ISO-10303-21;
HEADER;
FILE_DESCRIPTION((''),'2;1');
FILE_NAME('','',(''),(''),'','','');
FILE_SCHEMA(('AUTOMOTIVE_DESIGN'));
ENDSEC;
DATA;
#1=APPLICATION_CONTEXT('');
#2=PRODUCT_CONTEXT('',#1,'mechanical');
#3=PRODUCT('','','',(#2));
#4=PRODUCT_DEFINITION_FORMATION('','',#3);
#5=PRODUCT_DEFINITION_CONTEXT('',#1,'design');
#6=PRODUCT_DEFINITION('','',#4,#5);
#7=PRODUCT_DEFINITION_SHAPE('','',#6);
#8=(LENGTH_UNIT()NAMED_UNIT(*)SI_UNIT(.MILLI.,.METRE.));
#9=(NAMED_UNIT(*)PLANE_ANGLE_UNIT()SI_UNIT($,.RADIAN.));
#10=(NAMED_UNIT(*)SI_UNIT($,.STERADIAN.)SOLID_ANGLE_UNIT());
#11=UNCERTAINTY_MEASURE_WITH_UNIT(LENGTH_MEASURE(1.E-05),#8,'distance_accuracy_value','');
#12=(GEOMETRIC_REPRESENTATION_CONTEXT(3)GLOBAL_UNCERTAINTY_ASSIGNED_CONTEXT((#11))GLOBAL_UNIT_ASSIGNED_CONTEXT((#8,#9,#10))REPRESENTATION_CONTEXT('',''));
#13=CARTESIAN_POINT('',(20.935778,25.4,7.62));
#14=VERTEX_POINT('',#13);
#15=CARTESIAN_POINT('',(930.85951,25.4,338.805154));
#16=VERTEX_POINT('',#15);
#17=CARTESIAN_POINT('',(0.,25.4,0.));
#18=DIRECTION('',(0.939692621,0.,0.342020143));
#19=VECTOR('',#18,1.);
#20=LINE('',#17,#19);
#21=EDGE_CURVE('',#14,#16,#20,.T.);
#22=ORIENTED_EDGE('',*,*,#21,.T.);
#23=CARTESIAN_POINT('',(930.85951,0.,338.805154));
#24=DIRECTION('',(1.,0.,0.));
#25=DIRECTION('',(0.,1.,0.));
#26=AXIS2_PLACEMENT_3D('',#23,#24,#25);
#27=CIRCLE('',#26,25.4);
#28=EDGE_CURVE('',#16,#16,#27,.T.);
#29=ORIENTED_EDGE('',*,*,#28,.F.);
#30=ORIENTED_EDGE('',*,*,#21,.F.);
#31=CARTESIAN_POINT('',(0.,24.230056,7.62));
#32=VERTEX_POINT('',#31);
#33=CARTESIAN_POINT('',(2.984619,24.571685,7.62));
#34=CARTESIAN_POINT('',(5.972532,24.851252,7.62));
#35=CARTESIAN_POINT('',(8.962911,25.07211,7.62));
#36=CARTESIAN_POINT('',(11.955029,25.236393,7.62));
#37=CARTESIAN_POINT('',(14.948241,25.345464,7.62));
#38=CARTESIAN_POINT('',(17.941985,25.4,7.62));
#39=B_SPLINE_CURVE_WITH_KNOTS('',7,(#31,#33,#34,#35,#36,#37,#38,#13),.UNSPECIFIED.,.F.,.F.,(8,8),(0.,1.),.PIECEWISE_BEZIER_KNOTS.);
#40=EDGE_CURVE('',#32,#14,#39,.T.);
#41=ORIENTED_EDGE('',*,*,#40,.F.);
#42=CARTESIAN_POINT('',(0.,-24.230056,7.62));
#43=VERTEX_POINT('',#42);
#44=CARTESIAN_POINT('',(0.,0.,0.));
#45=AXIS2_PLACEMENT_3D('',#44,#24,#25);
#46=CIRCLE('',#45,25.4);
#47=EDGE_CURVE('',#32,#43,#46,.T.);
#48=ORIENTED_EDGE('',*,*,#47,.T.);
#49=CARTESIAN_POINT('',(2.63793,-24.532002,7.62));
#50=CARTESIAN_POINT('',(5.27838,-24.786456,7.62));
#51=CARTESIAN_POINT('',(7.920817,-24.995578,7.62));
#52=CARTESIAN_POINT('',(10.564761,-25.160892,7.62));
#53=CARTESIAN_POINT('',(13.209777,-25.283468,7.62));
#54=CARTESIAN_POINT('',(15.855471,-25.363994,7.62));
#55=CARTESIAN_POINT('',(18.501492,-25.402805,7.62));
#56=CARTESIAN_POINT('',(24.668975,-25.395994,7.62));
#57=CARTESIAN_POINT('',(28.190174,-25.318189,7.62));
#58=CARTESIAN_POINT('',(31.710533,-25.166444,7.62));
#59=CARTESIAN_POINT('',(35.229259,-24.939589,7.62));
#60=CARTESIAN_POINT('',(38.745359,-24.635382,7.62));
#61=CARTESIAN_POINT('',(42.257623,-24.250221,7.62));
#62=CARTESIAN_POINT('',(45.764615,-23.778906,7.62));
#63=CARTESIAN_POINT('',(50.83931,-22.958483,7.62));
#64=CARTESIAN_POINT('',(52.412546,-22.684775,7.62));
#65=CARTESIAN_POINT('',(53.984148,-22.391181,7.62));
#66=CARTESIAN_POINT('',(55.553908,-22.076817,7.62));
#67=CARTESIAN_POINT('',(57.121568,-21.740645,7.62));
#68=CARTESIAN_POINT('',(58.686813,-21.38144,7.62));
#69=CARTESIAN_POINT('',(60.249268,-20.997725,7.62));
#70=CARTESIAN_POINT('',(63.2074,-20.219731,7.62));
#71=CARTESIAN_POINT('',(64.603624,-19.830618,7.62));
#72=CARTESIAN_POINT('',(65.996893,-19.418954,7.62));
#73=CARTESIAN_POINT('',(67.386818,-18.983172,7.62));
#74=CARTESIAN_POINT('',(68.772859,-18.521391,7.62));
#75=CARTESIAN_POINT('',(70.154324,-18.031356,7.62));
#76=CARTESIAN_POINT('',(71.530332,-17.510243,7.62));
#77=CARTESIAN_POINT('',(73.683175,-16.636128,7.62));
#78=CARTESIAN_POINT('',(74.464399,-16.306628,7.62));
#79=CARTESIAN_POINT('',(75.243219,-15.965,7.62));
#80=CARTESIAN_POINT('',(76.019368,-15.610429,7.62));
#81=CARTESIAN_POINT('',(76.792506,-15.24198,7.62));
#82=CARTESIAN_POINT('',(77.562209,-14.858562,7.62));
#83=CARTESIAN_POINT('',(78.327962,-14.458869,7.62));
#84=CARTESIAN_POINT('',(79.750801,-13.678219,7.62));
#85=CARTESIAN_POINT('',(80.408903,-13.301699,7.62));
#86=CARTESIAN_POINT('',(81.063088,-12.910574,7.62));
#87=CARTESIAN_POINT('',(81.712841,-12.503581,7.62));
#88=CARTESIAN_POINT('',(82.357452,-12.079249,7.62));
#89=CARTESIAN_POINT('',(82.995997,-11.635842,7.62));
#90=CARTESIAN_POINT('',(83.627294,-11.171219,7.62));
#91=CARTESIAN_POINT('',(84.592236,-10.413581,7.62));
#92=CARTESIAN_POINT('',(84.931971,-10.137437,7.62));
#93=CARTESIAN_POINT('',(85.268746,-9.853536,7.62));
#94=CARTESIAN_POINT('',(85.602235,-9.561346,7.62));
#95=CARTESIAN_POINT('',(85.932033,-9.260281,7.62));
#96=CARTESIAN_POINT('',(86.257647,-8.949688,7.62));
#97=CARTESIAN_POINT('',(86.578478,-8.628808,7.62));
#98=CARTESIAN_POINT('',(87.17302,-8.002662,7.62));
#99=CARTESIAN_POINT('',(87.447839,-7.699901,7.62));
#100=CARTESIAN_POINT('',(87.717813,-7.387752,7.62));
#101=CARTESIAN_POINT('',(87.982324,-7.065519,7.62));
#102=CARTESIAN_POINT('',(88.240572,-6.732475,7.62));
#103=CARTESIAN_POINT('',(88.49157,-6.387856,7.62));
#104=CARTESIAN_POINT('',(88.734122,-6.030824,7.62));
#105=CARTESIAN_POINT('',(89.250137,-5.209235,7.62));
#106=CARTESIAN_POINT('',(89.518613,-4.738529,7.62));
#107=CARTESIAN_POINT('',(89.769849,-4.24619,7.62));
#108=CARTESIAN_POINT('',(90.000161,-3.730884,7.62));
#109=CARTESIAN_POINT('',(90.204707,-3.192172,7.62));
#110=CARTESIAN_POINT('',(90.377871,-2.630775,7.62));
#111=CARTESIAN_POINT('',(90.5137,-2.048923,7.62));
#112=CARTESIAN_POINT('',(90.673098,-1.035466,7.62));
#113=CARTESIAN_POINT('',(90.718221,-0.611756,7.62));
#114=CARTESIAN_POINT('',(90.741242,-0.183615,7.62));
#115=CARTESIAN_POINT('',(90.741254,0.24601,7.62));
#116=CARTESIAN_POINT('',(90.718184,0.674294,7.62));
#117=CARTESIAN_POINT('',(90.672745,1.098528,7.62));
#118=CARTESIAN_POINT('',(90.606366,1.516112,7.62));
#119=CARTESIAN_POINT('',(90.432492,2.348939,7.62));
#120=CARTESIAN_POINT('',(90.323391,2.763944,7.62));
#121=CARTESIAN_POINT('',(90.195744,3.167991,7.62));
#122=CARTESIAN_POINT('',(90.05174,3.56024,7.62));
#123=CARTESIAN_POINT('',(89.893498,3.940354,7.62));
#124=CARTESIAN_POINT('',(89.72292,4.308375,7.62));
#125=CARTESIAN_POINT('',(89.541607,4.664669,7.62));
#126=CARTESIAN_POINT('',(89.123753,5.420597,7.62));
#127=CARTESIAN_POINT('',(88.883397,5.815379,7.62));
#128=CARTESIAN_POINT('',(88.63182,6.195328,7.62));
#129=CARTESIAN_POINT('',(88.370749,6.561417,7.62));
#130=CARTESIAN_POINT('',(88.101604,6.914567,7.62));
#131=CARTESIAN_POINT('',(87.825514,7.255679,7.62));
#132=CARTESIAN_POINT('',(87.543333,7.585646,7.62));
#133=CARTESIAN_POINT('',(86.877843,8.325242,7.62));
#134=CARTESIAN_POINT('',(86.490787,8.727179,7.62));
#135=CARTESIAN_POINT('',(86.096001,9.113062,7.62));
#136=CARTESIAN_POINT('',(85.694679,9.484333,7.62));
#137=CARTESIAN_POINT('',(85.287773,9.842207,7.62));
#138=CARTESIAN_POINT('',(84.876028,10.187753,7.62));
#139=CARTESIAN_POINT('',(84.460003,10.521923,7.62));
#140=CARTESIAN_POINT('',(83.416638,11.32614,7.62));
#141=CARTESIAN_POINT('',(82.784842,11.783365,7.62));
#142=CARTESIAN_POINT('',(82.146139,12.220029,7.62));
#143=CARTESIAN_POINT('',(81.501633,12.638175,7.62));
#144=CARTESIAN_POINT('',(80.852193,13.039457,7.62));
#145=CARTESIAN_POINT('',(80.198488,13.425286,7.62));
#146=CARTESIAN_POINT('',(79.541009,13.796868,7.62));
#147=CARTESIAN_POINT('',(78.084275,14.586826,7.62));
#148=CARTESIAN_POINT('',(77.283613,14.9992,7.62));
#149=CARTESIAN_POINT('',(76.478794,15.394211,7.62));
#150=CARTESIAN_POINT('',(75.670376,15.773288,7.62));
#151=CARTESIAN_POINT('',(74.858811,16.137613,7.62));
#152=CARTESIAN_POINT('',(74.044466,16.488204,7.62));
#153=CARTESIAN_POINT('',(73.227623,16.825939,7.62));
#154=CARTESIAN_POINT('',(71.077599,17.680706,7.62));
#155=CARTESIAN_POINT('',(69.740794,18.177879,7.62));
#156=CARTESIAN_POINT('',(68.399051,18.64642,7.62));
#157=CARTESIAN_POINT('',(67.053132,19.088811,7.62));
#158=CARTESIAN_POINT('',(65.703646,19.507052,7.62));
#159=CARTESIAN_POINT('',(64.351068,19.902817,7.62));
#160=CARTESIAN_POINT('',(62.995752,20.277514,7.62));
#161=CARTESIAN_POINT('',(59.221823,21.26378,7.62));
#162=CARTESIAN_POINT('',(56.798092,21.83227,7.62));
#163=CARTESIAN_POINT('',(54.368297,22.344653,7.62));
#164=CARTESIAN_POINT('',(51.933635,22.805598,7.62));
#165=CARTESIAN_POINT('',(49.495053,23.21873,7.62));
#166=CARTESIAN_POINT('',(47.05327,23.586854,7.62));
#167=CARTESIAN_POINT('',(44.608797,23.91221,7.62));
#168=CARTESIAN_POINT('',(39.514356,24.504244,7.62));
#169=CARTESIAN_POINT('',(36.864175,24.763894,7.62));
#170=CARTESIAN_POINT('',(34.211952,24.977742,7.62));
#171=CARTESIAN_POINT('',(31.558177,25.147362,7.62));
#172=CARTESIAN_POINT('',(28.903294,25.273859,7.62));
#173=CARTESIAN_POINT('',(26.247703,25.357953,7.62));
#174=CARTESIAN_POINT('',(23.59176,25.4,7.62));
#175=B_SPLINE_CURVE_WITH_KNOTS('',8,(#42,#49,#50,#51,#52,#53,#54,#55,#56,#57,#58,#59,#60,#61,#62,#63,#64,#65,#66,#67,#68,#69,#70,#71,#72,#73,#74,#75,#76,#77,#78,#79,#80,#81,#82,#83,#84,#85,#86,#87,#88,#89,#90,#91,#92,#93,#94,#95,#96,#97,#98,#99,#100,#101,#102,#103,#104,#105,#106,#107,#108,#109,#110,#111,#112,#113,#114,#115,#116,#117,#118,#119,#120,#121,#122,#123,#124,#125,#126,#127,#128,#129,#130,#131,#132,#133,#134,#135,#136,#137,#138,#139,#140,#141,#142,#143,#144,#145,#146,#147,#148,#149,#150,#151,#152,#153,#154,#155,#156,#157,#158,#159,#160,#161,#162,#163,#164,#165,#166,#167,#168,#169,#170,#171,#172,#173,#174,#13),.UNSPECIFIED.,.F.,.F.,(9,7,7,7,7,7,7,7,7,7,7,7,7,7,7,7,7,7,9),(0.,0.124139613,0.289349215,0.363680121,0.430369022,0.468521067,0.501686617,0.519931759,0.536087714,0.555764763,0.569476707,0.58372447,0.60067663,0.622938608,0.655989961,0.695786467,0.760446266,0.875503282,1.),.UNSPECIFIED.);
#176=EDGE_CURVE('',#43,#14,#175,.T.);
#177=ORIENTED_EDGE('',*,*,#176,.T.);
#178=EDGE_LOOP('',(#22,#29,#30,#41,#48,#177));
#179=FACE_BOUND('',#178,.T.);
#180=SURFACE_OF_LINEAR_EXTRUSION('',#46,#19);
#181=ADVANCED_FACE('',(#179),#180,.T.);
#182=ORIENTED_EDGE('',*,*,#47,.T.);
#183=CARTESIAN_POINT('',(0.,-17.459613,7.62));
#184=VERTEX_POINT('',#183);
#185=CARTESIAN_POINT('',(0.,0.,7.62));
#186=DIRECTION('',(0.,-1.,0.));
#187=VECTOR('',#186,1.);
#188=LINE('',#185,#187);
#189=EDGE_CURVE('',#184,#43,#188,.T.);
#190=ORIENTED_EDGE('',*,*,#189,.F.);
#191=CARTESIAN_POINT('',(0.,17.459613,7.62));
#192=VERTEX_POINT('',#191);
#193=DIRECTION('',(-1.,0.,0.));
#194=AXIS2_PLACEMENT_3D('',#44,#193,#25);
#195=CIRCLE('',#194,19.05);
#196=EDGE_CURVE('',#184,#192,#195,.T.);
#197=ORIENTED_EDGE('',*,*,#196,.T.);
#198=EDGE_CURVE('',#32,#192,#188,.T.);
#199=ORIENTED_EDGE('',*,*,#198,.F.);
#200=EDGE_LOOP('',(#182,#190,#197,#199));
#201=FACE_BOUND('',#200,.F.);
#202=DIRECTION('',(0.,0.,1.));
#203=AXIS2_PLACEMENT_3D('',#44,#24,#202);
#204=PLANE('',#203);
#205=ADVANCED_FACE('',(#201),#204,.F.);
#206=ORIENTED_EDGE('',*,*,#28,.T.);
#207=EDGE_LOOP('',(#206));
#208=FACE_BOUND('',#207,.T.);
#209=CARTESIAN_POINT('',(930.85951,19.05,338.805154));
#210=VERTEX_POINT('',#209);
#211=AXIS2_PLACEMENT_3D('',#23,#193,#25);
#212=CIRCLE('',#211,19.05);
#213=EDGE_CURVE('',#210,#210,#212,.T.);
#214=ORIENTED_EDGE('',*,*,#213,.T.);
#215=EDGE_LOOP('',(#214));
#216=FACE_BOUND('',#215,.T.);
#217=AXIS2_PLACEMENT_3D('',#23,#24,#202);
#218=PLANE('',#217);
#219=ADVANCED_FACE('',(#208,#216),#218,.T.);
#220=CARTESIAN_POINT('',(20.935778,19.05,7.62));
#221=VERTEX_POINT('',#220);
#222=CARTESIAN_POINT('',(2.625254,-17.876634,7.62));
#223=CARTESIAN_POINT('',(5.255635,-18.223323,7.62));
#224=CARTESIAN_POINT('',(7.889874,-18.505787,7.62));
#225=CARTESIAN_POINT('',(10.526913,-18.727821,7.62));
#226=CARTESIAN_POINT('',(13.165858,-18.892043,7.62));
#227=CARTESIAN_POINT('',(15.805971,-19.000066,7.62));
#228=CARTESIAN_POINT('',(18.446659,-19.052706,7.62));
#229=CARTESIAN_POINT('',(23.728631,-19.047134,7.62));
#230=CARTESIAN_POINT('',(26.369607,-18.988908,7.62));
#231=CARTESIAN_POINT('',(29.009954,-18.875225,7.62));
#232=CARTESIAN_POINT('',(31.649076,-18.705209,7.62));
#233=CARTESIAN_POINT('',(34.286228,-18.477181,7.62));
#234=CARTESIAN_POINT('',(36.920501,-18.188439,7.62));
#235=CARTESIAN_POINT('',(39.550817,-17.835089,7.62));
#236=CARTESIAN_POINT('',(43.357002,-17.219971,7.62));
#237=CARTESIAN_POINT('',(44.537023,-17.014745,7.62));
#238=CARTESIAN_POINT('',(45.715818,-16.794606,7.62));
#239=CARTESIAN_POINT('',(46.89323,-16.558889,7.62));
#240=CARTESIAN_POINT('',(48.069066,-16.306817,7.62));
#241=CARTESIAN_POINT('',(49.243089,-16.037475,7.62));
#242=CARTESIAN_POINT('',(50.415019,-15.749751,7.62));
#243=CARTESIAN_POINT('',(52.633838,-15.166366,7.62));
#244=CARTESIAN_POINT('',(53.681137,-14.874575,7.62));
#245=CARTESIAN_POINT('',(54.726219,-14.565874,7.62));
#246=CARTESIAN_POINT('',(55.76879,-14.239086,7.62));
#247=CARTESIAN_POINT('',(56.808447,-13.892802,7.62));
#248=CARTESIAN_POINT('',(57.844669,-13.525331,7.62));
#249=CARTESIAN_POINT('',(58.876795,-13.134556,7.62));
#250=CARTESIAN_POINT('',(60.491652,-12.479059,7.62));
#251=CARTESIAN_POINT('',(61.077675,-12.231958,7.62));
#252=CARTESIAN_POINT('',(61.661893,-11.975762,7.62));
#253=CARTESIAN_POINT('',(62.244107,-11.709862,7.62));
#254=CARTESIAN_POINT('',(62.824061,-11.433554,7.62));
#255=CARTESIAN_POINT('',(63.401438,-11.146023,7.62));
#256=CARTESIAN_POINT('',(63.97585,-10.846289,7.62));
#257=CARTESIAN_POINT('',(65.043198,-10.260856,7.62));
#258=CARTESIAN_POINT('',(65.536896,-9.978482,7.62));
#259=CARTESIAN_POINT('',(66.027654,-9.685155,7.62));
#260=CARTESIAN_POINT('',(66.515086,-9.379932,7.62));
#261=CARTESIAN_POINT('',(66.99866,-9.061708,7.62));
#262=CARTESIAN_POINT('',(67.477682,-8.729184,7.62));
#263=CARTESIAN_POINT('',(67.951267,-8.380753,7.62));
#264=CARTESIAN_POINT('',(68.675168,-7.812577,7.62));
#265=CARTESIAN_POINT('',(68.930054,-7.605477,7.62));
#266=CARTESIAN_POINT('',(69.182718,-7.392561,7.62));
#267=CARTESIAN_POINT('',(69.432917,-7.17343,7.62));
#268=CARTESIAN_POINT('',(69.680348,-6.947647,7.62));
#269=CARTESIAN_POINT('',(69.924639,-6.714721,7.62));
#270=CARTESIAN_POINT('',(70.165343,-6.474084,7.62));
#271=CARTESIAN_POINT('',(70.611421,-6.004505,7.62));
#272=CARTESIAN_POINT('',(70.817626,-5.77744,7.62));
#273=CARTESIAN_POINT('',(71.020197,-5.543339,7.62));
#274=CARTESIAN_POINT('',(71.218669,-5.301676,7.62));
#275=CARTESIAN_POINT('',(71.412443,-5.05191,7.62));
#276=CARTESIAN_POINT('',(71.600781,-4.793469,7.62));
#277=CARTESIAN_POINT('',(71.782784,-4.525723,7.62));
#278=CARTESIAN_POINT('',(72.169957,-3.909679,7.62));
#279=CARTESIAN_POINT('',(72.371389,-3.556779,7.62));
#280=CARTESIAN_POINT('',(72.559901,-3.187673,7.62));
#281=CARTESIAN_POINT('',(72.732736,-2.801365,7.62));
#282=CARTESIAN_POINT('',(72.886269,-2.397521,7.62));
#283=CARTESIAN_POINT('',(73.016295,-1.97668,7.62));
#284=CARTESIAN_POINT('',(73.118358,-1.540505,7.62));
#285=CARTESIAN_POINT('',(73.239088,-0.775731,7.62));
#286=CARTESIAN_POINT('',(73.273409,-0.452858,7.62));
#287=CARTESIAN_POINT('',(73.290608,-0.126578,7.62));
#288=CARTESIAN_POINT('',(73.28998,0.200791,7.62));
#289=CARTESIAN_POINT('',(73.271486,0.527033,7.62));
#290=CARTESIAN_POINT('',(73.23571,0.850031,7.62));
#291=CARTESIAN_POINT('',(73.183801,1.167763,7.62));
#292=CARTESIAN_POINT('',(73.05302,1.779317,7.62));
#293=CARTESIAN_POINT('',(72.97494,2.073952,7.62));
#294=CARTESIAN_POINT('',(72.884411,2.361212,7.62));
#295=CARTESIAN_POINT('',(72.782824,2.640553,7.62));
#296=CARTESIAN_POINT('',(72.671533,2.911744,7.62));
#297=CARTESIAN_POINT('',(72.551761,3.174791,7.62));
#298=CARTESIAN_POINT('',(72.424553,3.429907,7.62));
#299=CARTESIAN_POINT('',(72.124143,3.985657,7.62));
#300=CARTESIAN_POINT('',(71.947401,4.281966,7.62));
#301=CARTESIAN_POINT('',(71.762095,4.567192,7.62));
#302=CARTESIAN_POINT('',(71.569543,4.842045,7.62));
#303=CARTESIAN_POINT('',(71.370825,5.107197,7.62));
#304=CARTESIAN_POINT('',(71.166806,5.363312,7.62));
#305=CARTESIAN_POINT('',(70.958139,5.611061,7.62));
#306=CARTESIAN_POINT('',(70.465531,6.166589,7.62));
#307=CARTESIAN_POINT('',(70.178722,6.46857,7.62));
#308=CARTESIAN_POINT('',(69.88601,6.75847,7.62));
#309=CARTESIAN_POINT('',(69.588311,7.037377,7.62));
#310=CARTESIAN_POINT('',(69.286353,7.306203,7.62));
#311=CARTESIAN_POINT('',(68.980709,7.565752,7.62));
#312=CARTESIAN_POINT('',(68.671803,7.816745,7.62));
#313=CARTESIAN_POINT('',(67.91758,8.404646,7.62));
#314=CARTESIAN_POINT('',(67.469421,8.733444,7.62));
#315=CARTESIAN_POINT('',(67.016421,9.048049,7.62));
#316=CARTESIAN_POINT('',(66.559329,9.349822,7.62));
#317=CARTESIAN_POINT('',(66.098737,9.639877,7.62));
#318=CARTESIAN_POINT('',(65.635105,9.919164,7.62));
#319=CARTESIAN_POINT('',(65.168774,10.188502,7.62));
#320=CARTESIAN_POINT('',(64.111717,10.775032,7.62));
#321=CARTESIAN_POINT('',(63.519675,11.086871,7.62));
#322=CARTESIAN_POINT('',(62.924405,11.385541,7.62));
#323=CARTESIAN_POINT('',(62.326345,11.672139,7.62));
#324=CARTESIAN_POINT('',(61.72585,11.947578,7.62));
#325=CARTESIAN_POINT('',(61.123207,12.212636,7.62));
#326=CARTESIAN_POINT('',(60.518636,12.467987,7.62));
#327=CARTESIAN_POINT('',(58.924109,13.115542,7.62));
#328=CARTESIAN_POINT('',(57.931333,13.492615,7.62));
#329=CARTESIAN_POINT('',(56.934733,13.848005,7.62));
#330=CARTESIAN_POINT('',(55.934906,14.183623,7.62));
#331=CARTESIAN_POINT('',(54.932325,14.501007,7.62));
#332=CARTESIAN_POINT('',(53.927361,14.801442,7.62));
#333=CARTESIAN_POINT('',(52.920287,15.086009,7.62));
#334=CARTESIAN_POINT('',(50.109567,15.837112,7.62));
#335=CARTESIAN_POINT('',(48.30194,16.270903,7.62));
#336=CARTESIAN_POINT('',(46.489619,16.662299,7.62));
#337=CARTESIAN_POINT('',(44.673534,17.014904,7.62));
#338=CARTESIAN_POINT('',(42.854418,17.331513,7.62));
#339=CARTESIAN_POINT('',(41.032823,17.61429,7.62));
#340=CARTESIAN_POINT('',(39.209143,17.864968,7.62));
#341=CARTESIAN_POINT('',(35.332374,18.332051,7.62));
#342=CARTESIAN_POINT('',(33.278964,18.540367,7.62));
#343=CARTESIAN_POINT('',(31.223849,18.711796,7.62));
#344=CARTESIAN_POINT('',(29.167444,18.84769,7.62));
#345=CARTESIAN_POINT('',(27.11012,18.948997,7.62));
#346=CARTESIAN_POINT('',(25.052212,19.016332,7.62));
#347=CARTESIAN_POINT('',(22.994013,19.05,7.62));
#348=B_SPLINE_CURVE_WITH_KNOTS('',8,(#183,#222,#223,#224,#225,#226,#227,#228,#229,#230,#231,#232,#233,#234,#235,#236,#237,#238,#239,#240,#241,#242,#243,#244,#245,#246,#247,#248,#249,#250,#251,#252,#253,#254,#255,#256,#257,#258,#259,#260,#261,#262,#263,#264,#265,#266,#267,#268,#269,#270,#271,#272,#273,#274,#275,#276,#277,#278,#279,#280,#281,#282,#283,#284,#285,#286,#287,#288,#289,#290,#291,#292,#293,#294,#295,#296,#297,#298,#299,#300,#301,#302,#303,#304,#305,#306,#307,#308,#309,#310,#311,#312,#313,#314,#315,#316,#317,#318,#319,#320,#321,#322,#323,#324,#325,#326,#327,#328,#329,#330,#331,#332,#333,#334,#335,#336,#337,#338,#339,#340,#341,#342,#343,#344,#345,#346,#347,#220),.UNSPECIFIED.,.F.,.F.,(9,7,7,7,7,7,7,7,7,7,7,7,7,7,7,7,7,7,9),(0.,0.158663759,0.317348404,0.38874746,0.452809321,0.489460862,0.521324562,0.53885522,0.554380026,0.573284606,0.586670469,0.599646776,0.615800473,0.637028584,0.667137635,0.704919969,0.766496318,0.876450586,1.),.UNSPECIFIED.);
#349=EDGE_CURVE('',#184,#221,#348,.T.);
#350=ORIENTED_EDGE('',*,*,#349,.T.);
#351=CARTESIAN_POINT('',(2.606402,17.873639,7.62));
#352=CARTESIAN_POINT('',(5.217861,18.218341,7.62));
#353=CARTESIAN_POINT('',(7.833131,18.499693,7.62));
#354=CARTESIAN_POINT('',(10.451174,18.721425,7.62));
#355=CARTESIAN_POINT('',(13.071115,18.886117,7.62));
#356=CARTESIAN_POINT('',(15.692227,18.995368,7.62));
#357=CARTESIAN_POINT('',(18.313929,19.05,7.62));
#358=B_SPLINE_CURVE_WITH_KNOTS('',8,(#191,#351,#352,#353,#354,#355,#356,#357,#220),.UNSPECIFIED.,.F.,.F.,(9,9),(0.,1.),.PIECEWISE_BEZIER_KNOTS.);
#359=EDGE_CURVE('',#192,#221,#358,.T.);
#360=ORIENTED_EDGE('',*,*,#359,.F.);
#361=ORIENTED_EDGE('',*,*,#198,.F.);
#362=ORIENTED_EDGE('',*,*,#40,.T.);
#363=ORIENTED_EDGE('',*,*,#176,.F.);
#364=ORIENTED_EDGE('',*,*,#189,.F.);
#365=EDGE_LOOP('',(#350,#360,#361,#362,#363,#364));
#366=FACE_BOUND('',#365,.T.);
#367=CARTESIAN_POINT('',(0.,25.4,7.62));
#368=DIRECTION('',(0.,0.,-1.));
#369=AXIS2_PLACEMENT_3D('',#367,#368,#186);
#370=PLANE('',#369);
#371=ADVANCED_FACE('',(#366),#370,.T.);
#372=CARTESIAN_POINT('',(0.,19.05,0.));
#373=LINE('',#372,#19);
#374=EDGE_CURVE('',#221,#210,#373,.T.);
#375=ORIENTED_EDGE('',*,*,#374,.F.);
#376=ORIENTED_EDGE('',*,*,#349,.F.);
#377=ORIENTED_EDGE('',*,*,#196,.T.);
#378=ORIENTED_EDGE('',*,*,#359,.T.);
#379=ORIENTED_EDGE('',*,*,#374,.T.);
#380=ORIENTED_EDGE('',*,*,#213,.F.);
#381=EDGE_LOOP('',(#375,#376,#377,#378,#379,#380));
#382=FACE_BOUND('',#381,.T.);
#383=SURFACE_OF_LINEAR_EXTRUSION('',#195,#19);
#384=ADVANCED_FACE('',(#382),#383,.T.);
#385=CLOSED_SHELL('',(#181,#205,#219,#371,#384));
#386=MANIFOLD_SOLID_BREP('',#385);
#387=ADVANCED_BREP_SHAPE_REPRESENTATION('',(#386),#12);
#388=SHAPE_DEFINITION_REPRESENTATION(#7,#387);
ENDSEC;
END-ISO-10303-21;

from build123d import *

# Parameters (mm, degrees)
F1_R     = 25.4
F1_R_2   = 19.05
F3_W     = 50.8
F3_H     = 33.02
F4_DEPTH = 930.86051


with BuildPart() as f2:
    # F2: sweep along a path in F0
    with BuildLine(Plane.XZ) as f2_path:
        Line((0, 0), (930.85951, 338.805154))
    # F1 (on Right) → F2 (sweep)
    with BuildSketch(Plane.YZ):
        Circle(F1_R)
        Circle(F1_R_2, mode=Mode.SUBTRACT)
    sweep(path=f2_path.line)

    # F3 (on face) → F4 (cut, through all)
    with BuildSketch(Plane(origin=(0, 0, 0), x_dir=(0, -1, 0), z_dir=(-1, 0, 0))):
        with Locations((0, -8.89)):
            Rectangle(F3_W, F3_H)
    extrude(amount=-F4_DEPTH, mode=Mode.SUBTRACT)


solid = f2.part
